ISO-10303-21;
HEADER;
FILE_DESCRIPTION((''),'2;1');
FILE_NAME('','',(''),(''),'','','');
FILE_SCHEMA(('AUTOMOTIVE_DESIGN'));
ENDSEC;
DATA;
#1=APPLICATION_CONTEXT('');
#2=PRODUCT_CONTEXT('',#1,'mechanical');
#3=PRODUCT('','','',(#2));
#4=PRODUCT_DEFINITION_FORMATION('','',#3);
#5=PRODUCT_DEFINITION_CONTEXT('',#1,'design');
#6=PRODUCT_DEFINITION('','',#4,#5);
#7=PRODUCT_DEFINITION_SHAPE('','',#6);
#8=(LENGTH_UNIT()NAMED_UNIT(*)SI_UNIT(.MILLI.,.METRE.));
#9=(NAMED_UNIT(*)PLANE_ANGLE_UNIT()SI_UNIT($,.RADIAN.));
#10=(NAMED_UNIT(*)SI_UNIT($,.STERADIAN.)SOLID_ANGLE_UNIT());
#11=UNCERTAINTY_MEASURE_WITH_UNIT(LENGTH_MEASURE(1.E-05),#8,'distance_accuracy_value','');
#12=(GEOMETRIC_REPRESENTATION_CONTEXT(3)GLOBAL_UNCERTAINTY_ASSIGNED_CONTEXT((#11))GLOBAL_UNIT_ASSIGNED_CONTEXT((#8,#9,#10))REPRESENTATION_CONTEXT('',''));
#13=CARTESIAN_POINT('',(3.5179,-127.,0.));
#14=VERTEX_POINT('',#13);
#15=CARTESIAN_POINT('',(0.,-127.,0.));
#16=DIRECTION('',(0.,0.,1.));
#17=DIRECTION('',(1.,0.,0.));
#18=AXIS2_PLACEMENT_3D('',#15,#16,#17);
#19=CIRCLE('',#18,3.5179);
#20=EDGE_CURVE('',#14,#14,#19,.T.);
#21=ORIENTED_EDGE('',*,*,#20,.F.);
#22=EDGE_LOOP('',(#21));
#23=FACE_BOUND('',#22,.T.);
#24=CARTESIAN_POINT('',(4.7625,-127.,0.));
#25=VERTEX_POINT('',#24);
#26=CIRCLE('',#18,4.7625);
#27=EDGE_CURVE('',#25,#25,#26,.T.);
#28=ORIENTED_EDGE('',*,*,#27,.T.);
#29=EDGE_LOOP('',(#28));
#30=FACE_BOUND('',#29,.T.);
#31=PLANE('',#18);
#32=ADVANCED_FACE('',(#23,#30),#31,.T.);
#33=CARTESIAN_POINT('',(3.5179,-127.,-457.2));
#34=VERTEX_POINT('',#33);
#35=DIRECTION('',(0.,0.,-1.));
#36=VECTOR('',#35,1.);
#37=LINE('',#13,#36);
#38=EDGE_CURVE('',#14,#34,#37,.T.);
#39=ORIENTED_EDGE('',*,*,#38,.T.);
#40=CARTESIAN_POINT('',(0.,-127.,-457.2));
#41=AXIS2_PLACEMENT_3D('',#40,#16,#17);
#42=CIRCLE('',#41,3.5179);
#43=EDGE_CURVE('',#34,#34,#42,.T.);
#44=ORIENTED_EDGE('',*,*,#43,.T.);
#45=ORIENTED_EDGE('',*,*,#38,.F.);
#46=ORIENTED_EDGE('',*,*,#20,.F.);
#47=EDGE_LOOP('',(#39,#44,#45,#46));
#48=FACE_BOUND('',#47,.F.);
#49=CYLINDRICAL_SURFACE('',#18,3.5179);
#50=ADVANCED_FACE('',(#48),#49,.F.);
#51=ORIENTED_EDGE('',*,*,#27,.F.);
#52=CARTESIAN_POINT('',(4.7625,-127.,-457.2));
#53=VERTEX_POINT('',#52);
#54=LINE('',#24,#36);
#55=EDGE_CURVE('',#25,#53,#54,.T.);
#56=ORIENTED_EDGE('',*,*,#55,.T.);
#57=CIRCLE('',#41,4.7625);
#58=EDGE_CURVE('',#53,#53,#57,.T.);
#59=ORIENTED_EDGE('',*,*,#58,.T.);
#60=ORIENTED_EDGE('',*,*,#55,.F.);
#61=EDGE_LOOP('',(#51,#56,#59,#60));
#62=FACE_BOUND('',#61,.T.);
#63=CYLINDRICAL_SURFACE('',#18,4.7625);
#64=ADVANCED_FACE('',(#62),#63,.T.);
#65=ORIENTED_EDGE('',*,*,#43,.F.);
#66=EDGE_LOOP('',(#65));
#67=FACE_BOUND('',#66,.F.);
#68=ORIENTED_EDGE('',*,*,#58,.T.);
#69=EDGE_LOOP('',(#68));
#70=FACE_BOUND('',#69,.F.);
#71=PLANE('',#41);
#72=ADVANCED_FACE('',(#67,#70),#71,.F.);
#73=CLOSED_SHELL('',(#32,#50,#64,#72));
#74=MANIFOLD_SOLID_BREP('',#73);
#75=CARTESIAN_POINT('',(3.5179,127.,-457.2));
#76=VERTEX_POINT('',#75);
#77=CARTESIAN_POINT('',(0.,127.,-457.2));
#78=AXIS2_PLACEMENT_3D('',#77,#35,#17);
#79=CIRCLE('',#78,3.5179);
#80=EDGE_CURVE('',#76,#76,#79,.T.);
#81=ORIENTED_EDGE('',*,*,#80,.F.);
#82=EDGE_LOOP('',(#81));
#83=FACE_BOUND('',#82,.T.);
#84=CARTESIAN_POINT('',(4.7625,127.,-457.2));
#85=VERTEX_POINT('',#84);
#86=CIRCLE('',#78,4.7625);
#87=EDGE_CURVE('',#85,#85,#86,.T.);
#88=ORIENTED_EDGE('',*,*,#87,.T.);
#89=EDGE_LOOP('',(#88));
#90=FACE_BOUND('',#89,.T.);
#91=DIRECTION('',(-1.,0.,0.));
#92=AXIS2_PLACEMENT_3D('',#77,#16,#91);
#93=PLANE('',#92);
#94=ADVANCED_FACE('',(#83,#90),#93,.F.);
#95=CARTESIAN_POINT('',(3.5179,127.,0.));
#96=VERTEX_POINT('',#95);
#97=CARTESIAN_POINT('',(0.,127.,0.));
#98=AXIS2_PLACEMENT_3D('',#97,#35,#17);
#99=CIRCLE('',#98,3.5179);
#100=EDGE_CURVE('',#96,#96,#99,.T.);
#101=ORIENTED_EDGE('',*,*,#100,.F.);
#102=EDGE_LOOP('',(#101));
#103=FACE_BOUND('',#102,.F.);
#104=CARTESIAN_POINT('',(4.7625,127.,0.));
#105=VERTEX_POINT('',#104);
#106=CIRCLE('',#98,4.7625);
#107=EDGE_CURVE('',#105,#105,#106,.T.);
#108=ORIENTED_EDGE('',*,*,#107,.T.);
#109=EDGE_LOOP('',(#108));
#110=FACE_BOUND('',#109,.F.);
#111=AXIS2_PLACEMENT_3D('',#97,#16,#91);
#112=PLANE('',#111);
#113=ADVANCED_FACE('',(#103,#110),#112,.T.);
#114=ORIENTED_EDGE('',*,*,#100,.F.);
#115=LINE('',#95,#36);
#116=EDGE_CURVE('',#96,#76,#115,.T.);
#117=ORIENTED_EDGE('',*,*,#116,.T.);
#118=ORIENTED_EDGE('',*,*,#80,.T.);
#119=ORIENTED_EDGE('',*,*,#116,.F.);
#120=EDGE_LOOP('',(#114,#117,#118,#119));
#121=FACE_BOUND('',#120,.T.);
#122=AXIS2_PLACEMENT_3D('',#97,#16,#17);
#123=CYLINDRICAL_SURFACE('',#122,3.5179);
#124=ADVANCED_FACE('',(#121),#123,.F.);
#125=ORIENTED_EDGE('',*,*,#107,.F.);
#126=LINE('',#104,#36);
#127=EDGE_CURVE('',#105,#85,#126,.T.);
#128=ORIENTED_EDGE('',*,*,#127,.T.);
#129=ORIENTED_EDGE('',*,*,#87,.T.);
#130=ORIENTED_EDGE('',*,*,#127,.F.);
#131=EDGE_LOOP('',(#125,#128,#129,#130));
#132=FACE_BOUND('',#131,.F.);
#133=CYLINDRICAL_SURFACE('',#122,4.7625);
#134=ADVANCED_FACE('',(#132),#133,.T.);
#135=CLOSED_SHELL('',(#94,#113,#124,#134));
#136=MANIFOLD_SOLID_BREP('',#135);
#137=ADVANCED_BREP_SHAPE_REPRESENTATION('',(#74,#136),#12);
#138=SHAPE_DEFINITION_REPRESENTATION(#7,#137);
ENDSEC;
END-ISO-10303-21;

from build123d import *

# Parameters (mm, degrees)
F0_R     = 4.7625
F0_R_2   = 3.5179
F1_DEPTH = 457.2


with BuildPart() as f1:
    # F0 (on Top) → F1 (new body)
    with BuildSketch(Plane.XY):
        with Locations((0, -127)):
            Circle(F0_R)
        with Locations((0, -127)):
            Circle(F0_R_2, mode=Mode.SUBTRACT)
    extrude(amount=-F1_DEPTH)


with BuildPart() as f2_1:
    # F2: instance of F1
    add(f1.part.mirror(Plane.XZ))


solid = Compound([f1.part, f2_1.part])
